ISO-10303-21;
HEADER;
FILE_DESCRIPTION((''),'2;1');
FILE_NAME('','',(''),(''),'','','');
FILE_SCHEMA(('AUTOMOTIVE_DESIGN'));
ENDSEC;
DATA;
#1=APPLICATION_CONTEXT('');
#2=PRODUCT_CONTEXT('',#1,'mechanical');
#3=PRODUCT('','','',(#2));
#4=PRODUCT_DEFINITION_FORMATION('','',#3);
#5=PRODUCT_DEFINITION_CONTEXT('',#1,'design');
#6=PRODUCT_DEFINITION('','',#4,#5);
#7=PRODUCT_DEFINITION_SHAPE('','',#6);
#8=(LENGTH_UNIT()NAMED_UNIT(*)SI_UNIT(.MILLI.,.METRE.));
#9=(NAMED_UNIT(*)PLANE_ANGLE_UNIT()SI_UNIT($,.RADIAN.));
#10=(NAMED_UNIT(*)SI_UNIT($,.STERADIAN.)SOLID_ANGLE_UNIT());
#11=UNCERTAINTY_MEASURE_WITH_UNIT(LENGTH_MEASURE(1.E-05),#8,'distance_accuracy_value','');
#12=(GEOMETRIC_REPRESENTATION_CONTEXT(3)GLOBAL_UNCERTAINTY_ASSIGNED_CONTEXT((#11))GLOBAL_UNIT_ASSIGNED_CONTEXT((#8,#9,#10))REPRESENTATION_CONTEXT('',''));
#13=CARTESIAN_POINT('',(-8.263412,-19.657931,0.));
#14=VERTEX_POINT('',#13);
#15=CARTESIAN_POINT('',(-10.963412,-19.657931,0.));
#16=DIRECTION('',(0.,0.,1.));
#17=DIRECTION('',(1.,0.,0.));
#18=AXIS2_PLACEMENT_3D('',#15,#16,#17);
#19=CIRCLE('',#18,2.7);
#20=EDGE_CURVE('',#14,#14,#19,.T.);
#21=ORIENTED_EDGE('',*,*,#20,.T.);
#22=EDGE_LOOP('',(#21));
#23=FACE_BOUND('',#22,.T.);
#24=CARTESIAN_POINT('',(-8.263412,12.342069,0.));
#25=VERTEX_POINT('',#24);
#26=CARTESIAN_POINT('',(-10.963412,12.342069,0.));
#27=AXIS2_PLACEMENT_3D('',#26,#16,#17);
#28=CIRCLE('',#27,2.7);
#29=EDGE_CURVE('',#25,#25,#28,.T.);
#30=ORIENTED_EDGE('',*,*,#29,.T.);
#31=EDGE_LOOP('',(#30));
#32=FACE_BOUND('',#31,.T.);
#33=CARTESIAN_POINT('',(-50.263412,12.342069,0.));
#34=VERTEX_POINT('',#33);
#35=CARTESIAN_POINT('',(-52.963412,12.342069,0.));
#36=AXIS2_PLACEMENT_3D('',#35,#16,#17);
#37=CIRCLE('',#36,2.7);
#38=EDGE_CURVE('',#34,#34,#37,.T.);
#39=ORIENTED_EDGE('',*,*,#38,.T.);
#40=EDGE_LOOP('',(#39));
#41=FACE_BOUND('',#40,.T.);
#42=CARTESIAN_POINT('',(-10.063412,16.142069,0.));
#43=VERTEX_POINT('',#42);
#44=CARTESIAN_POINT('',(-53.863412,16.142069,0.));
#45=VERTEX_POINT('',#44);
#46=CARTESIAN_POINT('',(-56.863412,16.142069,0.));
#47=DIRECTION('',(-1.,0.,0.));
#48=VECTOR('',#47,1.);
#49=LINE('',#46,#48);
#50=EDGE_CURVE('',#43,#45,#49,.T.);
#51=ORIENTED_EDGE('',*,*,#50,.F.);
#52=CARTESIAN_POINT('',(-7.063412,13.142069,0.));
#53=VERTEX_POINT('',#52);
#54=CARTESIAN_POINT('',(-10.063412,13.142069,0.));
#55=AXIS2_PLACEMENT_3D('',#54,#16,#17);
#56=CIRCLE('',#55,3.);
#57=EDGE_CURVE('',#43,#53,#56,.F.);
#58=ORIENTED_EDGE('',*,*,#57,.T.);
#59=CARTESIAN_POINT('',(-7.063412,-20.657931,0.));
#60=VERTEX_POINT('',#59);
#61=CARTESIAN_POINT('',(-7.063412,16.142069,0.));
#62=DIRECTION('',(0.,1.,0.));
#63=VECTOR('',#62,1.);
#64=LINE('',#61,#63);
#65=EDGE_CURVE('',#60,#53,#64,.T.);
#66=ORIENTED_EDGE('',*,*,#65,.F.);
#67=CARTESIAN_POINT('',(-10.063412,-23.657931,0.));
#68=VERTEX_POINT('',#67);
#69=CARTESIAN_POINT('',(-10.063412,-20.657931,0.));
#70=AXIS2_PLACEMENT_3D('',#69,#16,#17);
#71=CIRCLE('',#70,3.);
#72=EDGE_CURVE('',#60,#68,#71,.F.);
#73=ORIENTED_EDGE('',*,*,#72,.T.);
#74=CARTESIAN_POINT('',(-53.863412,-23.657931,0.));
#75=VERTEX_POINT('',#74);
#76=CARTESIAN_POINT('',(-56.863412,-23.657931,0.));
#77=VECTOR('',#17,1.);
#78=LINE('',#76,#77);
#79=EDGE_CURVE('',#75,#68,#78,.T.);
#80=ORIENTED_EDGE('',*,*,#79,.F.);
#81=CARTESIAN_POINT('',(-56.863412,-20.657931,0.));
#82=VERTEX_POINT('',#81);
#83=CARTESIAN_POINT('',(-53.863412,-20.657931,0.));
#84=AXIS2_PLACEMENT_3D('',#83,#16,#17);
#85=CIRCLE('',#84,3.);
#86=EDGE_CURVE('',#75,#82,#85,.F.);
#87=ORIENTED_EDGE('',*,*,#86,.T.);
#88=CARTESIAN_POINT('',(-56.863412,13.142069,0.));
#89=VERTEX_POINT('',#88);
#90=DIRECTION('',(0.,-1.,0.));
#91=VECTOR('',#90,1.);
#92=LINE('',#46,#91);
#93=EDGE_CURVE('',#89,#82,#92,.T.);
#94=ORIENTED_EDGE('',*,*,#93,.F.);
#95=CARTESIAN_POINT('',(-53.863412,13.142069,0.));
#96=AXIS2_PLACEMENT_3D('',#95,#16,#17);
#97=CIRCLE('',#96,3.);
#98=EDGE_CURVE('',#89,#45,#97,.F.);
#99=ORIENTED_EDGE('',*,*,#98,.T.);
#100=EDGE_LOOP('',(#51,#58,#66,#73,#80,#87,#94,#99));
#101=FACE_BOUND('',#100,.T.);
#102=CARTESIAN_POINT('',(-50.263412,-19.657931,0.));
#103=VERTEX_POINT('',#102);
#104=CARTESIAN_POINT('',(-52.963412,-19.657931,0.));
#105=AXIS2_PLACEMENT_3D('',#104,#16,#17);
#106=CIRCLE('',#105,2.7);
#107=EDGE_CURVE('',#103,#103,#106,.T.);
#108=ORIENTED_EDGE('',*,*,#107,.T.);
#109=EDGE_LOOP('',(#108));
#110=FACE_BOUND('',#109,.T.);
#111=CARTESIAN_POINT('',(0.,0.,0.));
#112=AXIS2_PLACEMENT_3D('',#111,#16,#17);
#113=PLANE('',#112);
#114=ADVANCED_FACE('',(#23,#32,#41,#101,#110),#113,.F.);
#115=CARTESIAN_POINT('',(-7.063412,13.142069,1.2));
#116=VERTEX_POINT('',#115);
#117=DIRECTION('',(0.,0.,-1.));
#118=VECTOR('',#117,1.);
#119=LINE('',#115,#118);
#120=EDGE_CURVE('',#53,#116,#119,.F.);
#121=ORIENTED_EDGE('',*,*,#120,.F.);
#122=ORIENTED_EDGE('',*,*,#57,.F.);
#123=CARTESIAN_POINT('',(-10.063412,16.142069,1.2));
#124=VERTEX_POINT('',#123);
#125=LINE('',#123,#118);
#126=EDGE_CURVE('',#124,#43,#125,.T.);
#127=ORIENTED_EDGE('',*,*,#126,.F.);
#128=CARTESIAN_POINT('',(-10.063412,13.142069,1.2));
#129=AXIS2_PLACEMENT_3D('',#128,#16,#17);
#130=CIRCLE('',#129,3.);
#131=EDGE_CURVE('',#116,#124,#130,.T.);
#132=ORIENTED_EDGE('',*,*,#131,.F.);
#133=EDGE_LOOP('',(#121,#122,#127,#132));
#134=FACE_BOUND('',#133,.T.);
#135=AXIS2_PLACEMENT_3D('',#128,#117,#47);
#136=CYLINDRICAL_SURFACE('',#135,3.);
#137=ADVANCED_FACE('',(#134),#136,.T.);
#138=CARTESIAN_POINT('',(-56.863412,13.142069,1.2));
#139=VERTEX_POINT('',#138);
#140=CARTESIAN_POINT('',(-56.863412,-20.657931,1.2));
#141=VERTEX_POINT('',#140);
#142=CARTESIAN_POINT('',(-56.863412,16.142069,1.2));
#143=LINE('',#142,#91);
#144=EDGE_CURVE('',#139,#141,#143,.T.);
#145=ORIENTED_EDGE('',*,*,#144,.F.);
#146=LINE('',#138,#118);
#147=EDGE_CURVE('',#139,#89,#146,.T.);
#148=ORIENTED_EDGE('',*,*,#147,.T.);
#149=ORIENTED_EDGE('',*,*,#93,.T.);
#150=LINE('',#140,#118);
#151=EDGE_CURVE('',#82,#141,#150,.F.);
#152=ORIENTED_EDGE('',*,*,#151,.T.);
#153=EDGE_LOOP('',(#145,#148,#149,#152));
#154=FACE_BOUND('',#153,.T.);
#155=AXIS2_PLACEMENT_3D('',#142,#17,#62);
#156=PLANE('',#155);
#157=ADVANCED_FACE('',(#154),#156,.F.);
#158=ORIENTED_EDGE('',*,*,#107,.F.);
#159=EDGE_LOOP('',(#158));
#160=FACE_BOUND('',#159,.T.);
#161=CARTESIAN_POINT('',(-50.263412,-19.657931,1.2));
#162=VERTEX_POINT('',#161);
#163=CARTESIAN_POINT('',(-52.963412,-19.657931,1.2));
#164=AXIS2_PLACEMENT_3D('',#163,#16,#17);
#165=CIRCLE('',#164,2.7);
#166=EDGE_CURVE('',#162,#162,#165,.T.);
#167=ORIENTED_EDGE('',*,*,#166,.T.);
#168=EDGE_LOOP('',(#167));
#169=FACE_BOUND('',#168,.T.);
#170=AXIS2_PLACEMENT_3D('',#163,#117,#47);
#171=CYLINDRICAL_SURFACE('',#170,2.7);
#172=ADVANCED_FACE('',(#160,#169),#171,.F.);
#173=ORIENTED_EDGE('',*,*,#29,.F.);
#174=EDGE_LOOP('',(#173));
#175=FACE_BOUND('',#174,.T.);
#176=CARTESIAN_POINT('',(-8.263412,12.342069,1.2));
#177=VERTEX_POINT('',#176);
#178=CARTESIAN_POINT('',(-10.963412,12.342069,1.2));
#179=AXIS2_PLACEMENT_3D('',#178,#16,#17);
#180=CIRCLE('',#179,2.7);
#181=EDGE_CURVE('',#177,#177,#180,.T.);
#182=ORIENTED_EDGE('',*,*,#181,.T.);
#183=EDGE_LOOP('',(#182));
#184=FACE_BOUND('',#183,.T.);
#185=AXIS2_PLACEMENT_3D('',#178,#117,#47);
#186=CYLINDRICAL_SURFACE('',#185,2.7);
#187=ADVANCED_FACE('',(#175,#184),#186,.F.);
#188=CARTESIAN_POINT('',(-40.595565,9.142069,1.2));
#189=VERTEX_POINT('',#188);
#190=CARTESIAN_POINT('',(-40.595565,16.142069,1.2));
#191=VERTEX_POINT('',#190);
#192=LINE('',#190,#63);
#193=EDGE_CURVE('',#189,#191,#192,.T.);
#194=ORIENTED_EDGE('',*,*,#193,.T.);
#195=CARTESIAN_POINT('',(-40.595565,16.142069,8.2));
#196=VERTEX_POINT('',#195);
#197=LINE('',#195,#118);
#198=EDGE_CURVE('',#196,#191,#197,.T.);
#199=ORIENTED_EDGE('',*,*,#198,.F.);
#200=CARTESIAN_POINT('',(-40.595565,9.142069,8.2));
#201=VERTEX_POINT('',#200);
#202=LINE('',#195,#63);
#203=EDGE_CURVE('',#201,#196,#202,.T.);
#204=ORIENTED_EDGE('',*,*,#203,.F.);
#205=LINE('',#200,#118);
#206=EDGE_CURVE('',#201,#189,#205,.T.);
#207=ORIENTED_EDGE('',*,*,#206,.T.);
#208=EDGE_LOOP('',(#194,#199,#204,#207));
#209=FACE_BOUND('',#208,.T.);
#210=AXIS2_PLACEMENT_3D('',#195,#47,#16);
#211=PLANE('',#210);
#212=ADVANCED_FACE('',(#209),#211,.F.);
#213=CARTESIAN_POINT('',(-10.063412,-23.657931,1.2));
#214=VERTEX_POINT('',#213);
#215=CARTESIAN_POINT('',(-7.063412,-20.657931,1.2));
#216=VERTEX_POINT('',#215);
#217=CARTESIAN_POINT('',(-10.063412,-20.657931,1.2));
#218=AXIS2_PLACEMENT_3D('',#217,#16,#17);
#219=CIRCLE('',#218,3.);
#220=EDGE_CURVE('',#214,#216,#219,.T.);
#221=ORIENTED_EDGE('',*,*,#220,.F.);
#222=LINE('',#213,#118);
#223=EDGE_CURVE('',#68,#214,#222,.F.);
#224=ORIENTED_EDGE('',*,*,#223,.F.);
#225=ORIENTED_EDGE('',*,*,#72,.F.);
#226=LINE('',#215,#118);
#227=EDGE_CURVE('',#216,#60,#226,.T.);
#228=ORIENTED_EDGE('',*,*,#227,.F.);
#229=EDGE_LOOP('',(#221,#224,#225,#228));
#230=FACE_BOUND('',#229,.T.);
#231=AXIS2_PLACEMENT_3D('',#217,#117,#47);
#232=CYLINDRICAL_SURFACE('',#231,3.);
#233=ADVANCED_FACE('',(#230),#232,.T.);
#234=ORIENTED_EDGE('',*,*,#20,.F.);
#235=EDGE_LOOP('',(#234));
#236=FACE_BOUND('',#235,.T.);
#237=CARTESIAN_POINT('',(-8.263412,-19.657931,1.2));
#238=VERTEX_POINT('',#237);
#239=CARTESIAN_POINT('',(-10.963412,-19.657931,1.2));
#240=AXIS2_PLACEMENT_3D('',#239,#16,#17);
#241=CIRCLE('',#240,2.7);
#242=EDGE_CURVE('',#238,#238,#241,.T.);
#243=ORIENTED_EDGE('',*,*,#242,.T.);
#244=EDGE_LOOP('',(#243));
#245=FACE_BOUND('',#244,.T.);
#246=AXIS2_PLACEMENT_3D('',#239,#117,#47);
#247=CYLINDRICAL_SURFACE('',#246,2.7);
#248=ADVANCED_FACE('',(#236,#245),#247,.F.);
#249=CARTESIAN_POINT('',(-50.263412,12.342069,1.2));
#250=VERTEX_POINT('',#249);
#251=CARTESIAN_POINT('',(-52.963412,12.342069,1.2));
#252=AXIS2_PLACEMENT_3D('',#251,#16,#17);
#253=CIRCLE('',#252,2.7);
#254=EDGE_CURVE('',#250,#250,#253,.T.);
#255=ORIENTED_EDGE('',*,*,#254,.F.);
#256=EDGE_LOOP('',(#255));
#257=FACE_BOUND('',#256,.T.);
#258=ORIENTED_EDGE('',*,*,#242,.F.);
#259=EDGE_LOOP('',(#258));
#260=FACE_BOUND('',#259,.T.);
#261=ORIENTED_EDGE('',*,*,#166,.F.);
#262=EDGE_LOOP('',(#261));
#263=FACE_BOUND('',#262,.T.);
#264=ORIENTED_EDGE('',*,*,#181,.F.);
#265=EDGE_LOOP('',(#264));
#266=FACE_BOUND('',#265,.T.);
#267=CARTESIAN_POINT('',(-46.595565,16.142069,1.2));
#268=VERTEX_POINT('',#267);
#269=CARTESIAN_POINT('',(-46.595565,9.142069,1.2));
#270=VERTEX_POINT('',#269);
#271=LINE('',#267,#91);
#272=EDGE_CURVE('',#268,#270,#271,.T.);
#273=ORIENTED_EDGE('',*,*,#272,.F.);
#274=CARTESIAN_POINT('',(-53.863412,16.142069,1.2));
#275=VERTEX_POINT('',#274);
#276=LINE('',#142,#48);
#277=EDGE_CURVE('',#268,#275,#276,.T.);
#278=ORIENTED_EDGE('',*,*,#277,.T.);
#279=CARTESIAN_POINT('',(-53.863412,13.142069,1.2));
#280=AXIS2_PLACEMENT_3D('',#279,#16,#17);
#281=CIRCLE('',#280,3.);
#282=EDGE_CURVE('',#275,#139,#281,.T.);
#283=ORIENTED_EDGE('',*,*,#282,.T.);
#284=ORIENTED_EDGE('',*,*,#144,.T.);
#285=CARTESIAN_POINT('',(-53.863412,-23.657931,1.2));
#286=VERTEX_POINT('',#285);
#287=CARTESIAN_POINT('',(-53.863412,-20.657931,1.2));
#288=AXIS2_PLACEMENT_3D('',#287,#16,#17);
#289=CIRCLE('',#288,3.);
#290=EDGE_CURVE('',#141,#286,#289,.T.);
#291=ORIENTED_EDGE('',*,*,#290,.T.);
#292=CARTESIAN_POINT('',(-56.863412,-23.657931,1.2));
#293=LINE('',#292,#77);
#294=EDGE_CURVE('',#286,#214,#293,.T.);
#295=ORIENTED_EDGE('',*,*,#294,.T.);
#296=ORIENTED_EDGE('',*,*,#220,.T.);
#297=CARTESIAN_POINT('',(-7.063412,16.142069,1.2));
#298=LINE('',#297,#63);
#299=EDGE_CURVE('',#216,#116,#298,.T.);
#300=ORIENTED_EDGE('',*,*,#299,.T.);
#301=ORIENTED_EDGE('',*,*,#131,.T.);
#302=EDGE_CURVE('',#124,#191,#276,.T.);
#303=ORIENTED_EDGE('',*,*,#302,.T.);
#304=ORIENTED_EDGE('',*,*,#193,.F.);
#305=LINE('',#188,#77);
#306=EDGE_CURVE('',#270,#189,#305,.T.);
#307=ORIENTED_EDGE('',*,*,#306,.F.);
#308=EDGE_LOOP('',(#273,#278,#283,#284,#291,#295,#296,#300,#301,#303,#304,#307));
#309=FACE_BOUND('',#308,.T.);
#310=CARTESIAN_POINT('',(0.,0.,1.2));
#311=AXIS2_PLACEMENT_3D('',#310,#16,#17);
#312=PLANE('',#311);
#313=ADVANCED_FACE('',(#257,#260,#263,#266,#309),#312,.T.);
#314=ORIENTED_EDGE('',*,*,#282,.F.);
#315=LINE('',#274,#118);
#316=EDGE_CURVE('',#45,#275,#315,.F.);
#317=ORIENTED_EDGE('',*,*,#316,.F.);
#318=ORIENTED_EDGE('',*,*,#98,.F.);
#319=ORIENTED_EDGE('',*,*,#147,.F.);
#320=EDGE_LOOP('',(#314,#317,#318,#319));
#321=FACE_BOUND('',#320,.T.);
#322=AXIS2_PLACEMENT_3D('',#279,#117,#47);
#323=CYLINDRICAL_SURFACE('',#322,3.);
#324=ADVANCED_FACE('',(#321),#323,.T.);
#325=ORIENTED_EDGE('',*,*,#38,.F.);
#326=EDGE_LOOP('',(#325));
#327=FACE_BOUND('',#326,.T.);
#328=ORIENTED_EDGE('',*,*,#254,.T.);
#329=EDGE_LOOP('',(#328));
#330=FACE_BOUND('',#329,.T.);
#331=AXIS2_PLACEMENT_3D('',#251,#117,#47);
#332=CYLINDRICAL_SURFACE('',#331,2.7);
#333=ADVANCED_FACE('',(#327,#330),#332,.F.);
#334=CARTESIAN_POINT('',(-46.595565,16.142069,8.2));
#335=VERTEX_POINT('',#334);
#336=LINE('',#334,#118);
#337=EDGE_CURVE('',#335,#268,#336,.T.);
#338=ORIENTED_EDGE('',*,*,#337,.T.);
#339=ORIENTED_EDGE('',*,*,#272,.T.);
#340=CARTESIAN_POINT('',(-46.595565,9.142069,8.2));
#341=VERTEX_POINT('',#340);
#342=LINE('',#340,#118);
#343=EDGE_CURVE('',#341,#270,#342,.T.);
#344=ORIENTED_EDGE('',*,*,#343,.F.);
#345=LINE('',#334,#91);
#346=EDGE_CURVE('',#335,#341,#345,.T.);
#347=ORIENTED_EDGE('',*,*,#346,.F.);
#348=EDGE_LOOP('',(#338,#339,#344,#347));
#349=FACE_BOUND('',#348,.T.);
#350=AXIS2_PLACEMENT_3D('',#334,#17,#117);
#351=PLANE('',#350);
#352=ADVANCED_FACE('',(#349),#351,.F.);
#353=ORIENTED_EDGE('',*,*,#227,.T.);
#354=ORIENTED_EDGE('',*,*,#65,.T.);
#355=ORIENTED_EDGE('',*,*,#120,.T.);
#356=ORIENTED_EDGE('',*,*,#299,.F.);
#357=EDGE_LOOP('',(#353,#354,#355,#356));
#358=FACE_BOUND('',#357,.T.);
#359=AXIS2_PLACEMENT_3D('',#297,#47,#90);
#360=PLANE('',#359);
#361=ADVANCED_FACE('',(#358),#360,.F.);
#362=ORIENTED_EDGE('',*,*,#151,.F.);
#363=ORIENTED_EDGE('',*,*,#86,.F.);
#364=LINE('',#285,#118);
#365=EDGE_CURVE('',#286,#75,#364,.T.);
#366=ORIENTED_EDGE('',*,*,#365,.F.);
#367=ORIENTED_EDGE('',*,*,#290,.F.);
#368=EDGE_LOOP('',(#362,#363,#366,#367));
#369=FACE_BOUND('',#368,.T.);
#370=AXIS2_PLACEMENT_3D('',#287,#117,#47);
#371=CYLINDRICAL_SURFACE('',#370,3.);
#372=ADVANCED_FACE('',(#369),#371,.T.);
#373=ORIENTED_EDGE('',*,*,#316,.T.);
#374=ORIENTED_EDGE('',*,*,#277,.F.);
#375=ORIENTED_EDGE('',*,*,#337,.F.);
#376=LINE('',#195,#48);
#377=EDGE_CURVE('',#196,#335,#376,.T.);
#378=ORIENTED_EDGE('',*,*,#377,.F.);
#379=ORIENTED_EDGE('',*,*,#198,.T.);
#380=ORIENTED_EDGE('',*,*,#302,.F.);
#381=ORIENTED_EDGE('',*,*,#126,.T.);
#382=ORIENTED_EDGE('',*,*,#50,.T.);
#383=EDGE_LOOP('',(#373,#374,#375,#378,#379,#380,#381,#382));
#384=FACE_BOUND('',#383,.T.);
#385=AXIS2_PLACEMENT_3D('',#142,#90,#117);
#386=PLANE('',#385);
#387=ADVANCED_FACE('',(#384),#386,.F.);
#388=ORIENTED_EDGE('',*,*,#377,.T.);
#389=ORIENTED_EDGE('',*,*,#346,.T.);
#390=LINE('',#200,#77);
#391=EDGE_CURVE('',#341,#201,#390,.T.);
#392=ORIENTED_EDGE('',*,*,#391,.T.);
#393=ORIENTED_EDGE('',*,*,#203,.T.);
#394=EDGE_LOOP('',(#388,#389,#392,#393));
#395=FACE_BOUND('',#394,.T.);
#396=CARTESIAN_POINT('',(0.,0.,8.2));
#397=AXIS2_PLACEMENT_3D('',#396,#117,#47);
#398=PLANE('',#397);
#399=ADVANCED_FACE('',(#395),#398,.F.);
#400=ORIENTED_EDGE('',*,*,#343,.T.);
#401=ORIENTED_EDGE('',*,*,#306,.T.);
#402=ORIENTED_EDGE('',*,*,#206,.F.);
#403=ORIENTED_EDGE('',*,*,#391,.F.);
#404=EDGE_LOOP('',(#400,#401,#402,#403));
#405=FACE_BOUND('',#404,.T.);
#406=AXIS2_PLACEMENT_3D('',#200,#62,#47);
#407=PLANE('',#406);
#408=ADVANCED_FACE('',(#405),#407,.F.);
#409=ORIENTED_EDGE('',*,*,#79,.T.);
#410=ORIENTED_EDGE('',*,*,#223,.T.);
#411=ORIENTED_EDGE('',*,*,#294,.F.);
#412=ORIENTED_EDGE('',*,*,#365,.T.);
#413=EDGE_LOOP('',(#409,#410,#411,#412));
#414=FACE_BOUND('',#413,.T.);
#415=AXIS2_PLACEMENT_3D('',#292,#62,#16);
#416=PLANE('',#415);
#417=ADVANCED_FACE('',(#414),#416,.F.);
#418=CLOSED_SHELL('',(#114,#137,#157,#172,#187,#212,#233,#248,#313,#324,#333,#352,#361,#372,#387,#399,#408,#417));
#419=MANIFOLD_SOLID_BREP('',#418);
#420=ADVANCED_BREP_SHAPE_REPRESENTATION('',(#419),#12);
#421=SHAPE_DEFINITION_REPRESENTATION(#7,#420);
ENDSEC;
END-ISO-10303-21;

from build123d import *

# Parameters (mm, degrees)
CROQUIS1_W              = 49.8
CROQUIS1_H              = 39.8
CROQUIS1_R              = 2.7
SALIENTE_EXTRUIR1_DEPTH = 1.2
REDONDEO1_R             = 3
CROQUIS2_W              = 6
CROQUIS2_H              = 7
SALIENTE_EXTRUIR2_DEPTH = 7


with BuildPart() as part:
    # Croquis1 → Saliente-Extruir1 (new body)
    with BuildSketch(Plane.XY):
        with Locations((-31.963412372, -3.757931034)):
            Rectangle(CROQUIS1_W, CROQUIS1_H)
        with Locations((-52.963412372, 12.342068966)):
            Circle(CROQUIS1_R, mode=Mode.SUBTRACT)
        with Locations((-10.963412372, 12.342068966)):
            Circle(CROQUIS1_R, mode=Mode.SUBTRACT)
        with Locations((-10.963412372, -19.657931034)):
            Circle(CROQUIS1_R, mode=Mode.SUBTRACT)
        with Locations((-52.963412372, -19.657931034)):
            Circle(CROQUIS1_R, mode=Mode.SUBTRACT)
    extrude(amount=SALIENTE_EXTRUIR1_DEPTH)

    # Redondeo1
    redondeo1_edges = [part.edges().sort_by_distance(p)[0] for p in [
        (-56.863412372, 16.142068966, 0.6),
        (-7.063412372, 16.142068966, 0.6),
        (-7.063412372, -23.657931034, 0.6),
        (-56.863412372, -23.657931034, 0.6),
    ]]
    fillet(redondeo1_edges, radius=REDONDEO1_R)

    # Croquis2 → Saliente-Extruir2 (add)
    with BuildSketch(Plane.XY.offset(1.2)):
        with Locations((-43.595564528, 12.642068966)):
            Rectangle(CROQUIS2_W, CROQUIS2_H)
    extrude(amount=SALIENTE_EXTRUIR2_DEPTH)


solid = part.part
